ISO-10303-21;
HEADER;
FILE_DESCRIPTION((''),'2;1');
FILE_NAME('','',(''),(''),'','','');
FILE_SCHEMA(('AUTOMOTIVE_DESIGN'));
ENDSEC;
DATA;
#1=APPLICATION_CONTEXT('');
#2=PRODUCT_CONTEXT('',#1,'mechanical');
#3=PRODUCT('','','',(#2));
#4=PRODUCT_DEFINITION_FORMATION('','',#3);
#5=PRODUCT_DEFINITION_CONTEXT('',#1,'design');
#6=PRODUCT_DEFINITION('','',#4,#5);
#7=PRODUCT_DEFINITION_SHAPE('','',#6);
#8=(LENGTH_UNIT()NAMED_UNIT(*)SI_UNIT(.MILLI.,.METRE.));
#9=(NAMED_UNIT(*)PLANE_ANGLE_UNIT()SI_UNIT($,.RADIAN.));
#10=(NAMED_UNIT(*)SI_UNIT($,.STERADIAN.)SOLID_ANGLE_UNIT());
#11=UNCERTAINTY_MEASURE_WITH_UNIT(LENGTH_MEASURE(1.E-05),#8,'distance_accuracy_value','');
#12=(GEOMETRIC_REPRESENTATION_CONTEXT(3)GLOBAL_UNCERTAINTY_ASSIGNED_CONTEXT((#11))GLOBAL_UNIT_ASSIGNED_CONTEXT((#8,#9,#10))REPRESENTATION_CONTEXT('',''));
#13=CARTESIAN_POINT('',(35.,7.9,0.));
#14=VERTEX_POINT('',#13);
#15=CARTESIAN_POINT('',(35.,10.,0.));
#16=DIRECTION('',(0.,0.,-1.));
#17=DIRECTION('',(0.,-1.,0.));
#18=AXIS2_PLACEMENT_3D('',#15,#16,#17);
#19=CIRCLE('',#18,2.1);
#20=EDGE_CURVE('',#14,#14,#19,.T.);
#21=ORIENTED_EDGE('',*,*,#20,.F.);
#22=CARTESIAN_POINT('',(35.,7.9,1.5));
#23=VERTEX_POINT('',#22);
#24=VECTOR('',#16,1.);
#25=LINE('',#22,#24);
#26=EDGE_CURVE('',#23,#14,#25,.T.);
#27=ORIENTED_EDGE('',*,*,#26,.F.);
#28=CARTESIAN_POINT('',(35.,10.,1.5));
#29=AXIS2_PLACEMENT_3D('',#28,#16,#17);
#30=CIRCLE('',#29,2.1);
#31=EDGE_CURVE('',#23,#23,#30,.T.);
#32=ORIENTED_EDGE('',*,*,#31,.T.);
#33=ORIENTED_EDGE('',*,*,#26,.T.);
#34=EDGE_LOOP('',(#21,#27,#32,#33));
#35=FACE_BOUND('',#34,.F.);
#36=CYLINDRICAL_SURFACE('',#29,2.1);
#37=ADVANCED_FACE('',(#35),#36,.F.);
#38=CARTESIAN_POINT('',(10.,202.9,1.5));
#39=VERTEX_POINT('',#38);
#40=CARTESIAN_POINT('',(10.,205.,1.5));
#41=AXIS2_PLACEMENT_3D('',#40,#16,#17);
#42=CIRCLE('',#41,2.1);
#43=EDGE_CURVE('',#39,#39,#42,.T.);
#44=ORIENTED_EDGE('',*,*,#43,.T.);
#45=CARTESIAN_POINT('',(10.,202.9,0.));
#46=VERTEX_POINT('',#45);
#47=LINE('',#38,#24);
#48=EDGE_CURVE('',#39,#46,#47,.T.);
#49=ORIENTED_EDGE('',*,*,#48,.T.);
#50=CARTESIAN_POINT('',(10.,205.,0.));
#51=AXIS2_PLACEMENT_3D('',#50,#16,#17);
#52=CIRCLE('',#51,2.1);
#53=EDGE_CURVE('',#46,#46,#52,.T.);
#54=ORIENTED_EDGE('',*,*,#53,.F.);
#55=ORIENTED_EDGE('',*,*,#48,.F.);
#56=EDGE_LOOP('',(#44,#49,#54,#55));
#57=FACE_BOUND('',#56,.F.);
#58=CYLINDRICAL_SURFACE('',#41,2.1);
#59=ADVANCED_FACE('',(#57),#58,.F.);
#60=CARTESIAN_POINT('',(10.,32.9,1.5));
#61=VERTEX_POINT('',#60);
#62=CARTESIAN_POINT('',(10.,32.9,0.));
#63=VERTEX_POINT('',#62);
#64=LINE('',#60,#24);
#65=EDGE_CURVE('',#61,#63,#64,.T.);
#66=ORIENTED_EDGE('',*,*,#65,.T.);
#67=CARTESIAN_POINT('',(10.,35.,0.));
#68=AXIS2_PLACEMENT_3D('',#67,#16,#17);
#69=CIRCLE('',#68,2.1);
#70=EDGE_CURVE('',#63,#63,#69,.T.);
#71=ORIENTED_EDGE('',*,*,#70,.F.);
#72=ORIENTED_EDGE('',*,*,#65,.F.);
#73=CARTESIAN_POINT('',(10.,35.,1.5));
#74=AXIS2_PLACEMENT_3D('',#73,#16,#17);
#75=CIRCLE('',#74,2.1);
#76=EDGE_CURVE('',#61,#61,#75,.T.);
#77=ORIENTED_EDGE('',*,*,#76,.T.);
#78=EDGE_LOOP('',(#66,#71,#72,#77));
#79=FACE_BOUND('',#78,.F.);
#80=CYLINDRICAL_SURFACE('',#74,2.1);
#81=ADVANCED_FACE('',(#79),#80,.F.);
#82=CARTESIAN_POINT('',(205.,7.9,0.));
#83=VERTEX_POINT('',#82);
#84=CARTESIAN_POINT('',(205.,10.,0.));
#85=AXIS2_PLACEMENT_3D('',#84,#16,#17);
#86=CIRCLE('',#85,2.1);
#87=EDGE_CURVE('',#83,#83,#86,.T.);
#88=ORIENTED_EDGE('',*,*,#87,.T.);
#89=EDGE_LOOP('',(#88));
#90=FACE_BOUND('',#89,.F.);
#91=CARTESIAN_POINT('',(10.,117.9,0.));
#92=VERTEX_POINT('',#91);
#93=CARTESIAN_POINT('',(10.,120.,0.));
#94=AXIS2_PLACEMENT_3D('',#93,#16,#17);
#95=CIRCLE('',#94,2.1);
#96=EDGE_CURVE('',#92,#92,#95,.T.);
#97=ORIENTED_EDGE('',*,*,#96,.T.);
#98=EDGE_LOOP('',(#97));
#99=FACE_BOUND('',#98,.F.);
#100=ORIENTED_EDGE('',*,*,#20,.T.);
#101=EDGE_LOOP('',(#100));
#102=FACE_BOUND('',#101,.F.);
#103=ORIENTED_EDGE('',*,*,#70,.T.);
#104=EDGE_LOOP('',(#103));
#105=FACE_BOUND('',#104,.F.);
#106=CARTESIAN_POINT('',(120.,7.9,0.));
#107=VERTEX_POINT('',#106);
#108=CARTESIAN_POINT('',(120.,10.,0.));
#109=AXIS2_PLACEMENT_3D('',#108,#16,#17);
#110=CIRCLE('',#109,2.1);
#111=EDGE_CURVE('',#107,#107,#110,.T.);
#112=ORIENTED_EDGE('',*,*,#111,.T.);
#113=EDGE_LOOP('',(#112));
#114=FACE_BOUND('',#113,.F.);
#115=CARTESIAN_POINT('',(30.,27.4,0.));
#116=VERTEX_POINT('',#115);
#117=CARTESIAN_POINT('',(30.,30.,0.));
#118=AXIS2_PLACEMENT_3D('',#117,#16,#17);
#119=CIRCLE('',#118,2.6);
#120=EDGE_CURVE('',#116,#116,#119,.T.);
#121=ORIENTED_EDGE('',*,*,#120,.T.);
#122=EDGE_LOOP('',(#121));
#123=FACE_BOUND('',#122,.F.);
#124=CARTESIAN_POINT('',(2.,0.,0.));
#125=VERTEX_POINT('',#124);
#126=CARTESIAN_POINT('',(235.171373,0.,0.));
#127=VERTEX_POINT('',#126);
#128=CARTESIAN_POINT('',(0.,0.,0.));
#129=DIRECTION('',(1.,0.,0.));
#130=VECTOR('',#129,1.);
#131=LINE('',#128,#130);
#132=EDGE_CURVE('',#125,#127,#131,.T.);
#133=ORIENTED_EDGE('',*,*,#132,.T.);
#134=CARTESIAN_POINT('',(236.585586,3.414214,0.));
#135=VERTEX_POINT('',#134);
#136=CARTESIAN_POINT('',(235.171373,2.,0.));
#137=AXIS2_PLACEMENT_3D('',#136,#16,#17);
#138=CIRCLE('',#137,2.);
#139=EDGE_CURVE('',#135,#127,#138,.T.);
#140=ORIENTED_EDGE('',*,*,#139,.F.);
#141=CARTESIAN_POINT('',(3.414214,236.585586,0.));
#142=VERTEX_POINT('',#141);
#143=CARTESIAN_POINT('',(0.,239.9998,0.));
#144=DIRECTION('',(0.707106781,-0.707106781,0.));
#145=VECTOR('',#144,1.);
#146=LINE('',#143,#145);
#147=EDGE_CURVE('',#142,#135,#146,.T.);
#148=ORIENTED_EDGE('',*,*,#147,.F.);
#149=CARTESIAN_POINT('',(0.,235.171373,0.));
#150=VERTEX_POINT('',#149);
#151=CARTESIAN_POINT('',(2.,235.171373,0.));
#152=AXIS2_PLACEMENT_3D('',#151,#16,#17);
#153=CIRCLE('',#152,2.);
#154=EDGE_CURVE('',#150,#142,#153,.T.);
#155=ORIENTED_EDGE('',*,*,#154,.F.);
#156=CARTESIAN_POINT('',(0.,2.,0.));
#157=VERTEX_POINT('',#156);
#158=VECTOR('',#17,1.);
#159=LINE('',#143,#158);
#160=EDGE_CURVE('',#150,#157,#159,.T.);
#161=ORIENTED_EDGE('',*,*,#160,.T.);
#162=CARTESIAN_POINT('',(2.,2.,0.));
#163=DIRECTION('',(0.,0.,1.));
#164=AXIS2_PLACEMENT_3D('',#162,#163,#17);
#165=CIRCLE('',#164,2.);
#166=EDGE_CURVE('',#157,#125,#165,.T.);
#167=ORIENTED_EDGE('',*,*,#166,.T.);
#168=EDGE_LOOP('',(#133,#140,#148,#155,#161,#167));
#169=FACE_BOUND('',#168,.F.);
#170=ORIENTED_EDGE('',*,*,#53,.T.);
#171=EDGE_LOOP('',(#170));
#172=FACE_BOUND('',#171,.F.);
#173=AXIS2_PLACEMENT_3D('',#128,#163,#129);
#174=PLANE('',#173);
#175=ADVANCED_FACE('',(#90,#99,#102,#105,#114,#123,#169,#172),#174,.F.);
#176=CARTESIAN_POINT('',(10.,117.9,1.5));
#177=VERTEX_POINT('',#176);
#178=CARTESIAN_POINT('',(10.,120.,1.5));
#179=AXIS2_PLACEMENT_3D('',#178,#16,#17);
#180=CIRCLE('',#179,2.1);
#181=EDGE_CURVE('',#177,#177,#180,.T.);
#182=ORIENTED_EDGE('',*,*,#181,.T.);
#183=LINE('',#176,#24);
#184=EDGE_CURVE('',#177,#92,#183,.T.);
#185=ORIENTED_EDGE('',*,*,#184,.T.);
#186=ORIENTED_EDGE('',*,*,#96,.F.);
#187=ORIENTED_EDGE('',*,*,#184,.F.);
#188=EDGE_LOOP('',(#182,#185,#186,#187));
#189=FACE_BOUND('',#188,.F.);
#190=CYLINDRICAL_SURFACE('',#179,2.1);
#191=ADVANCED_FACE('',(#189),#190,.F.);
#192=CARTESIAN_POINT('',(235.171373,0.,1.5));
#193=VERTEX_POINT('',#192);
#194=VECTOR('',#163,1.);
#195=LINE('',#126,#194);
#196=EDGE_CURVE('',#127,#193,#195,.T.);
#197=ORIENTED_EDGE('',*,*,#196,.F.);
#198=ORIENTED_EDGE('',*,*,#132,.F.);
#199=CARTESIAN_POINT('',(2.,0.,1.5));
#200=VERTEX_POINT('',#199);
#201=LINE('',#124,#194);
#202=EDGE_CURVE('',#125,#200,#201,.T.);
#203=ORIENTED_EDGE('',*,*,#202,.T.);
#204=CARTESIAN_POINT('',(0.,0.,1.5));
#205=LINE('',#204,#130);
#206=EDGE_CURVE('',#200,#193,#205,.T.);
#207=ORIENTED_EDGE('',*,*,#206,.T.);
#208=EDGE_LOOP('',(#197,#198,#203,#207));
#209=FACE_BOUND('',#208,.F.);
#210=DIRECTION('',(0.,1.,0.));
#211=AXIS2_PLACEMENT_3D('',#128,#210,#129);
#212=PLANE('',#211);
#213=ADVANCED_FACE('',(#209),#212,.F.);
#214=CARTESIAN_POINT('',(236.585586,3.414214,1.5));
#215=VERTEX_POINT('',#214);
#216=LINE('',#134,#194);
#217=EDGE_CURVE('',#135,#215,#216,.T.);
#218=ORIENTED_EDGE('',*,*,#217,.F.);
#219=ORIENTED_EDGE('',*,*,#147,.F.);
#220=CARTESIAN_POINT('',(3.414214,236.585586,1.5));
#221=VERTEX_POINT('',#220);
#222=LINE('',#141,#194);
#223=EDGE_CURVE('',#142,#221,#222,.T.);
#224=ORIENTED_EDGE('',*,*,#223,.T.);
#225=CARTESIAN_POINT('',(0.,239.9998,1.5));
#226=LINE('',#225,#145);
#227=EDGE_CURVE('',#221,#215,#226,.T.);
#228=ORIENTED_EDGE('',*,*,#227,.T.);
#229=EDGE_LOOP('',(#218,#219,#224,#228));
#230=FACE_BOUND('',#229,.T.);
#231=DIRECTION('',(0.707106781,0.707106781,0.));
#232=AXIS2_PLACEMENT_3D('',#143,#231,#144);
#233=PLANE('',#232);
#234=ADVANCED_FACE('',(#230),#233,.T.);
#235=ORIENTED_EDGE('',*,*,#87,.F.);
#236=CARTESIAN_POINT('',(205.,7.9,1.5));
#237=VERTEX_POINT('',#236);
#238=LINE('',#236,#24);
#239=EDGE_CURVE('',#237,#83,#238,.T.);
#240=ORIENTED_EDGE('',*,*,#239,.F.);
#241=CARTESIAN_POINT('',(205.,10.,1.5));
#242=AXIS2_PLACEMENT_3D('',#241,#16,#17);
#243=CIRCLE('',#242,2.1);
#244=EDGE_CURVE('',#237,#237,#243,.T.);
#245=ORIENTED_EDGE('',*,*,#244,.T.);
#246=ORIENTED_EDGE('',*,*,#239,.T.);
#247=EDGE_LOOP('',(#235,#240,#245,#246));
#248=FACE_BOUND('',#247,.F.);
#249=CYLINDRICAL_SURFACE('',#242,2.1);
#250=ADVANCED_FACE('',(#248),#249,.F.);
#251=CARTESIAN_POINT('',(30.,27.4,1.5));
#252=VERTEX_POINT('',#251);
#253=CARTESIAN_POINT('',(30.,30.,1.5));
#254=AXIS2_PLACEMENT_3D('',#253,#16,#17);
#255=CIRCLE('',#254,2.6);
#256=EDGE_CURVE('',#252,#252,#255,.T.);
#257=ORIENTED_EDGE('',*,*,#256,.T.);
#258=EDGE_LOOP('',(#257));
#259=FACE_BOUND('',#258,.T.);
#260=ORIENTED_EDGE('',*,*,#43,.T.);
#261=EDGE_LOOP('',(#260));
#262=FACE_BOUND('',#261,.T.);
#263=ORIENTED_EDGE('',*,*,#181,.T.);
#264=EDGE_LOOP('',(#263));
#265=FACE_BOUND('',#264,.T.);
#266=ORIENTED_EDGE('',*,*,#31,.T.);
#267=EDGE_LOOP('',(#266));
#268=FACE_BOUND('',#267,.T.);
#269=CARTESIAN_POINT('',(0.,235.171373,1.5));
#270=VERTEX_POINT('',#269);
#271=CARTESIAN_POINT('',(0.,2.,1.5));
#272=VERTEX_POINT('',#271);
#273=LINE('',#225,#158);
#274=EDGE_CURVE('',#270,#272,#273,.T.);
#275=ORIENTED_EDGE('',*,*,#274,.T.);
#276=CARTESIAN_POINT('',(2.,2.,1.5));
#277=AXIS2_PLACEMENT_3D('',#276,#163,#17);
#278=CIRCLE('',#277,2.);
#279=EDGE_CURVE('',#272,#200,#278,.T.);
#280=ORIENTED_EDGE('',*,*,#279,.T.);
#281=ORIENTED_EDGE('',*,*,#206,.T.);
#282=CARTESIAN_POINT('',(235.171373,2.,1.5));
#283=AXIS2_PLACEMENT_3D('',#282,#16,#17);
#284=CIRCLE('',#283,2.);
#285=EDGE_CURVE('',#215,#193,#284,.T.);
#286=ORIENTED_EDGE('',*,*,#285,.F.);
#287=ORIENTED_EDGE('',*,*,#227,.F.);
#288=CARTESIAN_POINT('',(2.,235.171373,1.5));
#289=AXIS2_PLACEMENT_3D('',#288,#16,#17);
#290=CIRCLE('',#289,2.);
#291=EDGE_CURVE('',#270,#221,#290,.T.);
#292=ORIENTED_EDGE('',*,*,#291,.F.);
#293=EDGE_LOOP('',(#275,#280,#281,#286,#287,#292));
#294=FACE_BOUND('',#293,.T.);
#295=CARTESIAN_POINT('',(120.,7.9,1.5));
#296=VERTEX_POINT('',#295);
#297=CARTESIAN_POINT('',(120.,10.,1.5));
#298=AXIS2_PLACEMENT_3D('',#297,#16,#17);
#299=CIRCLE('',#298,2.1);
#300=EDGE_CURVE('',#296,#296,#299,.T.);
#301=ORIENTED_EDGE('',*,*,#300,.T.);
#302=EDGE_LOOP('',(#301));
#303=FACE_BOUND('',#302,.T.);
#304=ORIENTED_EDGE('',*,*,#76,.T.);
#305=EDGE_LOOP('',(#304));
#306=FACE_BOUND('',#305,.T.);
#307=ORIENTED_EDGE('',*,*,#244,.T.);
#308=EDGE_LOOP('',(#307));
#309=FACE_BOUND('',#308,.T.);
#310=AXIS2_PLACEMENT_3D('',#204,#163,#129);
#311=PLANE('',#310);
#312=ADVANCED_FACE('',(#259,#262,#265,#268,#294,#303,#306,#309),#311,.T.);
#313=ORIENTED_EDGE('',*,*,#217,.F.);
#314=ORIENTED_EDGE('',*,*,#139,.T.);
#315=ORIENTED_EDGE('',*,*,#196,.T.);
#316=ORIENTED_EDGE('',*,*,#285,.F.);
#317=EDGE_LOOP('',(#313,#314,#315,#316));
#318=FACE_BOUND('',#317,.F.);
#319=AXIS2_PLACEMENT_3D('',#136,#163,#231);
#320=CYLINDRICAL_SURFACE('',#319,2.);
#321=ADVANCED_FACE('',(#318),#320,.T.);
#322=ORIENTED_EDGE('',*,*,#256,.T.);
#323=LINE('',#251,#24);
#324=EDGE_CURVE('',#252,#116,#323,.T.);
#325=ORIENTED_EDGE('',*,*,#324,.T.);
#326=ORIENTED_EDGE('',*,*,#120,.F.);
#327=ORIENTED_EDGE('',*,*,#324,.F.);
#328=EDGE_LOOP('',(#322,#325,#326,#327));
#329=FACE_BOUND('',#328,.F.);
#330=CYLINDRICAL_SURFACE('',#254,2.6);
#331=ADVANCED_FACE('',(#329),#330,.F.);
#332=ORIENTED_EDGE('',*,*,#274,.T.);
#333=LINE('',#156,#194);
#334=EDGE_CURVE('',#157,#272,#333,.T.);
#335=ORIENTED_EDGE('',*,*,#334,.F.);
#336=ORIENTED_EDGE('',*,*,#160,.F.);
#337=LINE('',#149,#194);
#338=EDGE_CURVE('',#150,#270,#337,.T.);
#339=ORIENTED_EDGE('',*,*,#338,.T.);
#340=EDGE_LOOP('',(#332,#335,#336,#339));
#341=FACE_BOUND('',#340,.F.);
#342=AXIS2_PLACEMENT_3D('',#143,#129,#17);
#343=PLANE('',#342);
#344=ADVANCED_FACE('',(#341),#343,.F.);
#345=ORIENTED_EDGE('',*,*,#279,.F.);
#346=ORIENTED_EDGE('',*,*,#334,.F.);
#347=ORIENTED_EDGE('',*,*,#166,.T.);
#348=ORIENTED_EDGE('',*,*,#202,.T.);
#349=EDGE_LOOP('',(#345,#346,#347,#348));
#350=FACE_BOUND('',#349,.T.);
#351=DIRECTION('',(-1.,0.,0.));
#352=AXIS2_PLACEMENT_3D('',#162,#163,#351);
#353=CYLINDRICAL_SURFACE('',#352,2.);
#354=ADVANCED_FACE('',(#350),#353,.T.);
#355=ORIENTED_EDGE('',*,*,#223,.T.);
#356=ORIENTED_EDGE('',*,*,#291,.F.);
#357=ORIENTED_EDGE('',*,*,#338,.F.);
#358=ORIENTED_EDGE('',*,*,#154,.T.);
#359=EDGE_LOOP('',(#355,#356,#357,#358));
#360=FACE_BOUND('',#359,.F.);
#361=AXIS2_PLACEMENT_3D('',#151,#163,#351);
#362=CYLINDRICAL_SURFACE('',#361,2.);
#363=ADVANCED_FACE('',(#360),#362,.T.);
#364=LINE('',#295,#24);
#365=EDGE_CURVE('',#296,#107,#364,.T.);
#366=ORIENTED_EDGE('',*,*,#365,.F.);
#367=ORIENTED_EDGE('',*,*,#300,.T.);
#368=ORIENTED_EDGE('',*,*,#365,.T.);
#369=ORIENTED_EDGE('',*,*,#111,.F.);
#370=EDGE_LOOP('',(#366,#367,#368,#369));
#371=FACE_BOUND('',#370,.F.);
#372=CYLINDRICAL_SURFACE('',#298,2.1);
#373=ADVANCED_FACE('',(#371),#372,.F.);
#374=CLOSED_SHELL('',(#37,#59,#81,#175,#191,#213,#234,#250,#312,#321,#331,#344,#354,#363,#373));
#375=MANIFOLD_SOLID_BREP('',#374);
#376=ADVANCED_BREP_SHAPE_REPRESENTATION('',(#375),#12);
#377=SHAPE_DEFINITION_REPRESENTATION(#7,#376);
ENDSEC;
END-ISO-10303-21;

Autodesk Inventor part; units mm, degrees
ref_plane "YZ Plane" through (0, 0, 0) normal (1, 0, 0) x (0, 1, 0)
ref_plane "XZ Plane" through (0, 0, 0) normal (0, 1, 0) x (-1, 0, 0)
ref_plane "XY Plane" through (0, 0, 0) normal (0, 0, 1) x (1, 0, 0)
sketch "スケッチ1" plane through (0, 0, 0) normal (0, 0, 1) x (1, 0, 0)
  line L0 (0, 0) -> (239.9998, 0)
  line L1 (239.9998, 0) -> (239.9998, 239.9998)
  line L2 (239.9998, 239.9998) -> (0, 239.9998)
  line L3 (0, 239.9998) -> (0, 0)
  line L4 (0, 239.9998) -> (239.9998, 0)
  line L5 (-178.706, 178.706) -> (151.9787, -151.9787)
  dimension "d16" = 45
  dimension "d17" = 169.7055
extrude "プレート1" add sketch "スケッチ1" along normal blind 1.5 contours L3 L4 L0
sketch "スケッチ2" plane through (0, 0, 1.5) normal (0, 0, 1) x (1, 0, 0)
  line L0 (90, 33.5) -> (110, 33.5)
  line L1 (110, 33.5) -> (110, 86.5)
  line L2 (110, 86.5) -> (90, 86.5)
  line L3 (90, 86.5) -> (90, 33.5)
  line L4 (90, 33.5) -> (110, 86.5) construction
  line L5 (110, 33.5) -> (90, 86.5) construction
  line L6 (239.9998, 0) -> (0, 0) projected
  line L7 (0, 0) -> (0, 239.9998) projected
  line L8 (134, 30) -> (66, 30)
  line L9 (66, 30) -> (66, 90)
  line L10 (66, 90) -> (134, 90)
  line L11 (134, 90) -> (134, 30)
  line L12 (134, 30) -> (66, 90) construction
  line L13 (66, 30) -> (134, 90) construction
  point P0 (100, 60)
  dimension "d3" = 20
  dimension "d4" = 53
  dimension "d5" = 60
  dimension "d6" = 100
  dimension "d14" = 60
  dimension "d15" = 68
hole "穴1" at (90, 33.5, 1.5) at (110, 33.5, 1.5) at (90, 86.5, 1.5) at (110, 86.5, 1.5) at (66, 30, 1.5) at (134, 30, 1.5) at (66, 90, 1.5) direction (0, 0, -1) diameter 5.2 depth 1.5 tip angle 118
fillet "フィレット1" radius 2 3 edges at (0, 239.9998, 0.75) (0, 0, 0.75) (239.9998, 0, 0.75)
sketch "スケッチ3" plane through (0, 0, 1.5) normal (0, 0, 1) x (1, 0, 0)
  circle A0 centre (66, 90) radius 2.6 projected
  line L0 (0, 2) -> (0, 235.1714) projected
  point P0 (0, 0)
  point P1 (90, 117)
  point P2 (80, 117)
  dimension "d19" = 10
  dimension "d20" = 27
  dimension "d21" = 80
hole "穴2" at (90, 117, 1.5) at (80, 117, 1.5) direction (0, 0, -1) diameter 3.242 depth 11.8 tip angle 118 thread size "M4x0.7" class "6H" standard "ISO Metric profile"
sketch "スケッチ4" plane through (0, 0, 1.5) normal (0, 0, 1) x (1, 0, 0)
  circle A0 centre (90, 117) radius 1.621 projected
  circle A1 centre (80, 117) radius 1.621 projected
  arc A2 (235.1714, 0) -> (236.5856, 3.4142) centre (235.1714, 2) ccw projected
  line L0 (3.4142, 236.5856) -> (236.5856, 3.4142) projected
  arc A3 (3.4142, 236.5856) -> (0, 235.1714) centre (2, 235.1714) ccw projected
  line L1 (0, 2) -> (0, 235.1714) projected
  arc A4 (0, 2) -> (2, 0) centre (2, 2) ccw projected
  line L2 (235.1714, 0) -> (2, 0) projected
  circle A5 centre (134, 30) radius 2.6 projected
  circle A6 centre (110, 86.5) radius 2.6 projected
  circle A7 centre (110, 33.5) radius 2.6 projected
  circle A8 centre (90, 33.5) radius 2.6 projected
  circle A9 centre (90, 86.5) radius 2.6 projected
  circle A10 centre (66, 30) radius 2.6 projected
  circle A11 centre (66, 90) radius 2.6 projected
  line L3 (10, 10) -> (10, 215.8577)
  line L4 (10, 215.8577) -> (215.8577, 10)
  line L5 (215.8577, 10) -> (10, 10)
  point P0 (0, 0)
  point P1 (205, 10)
  point P2 (35, 10)
  point P3 (10, 35)
  point P4 (10, 205)
  point P5 (120, 10)
  point P6 (10, 120)
  dimension "d29" = 10
  dimension "d30" = 25
  dimension "d31" = 25
  dimension "d32" = 170
  dimension "d33" = 170
  dimension "d34" = 85
  dimension "d35" = 85
hole "穴3" at (205, 10, 1.5) at (35, 10, 1.5) at (10, 35, 1.5) at (10, 205, 1.5) at (120, 10, 1.5) at (10, 120, 1.5) direction (0, 0, -1) diameter 4.2 depth 1.5 tip angle 118
sketch "スケッチ6" plane through (0, 0, 1.5) normal (0, 0, 1) x (1, 0, 0)
  circle A0 centre (120, 10) radius 2.1 projected
  circle A1 centre (10, 35) radius 2.1 projected
  circle A2 centre (205, 10) radius 2.1 projected
  circle A3 centre (35, 10) radius 2.1 projected
  circle A4 centre (10, 205) radius 2.1 projected
  circle A5 centre (10, 120) radius 2.1 projected
  circle A6 centre (90, 117) radius 1.621 projected
  circle A7 centre (80, 117) radius 1.621 projected
  arc A8 (235.1714, 0) -> (236.5856, 3.4142) centre (235.1714, 2) ccw projected
  line L0 (3.4142, 236.5856) -> (236.5856, 3.4142) projected
  arc A9 (3.4142, 236.5856) -> (0, 235.1714) centre (2, 235.1714) ccw projected
  line L1 (0, 2) -> (0, 235.1714) projected
  arc A10 (0, 2) -> (2, 0) centre (2, 2) ccw projected
  line L2 (235.1714, 0) -> (2, 0) projected
  circle A11 centre (134, 30) radius 2.6 projected
  circle A12 centre (110, 86.5) radius 2.6 projected
  circle A13 centre (110, 33.5) radius 2.6 projected
  circle A14 centre (90, 33.5) radius 2.6 projected
  circle A15 centre (90, 86.5) radius 2.6 projected
  circle A16 centre (66, 30) radius 2.6 projected
  circle A17 centre (66, 90) radius 2.6 projected
  line L3 (20, 20) -> (20, 191.7155)
  line L4 (20, 191.7155) -> (191.7155, 20)
  line L5 (191.7155, 20) -> (20, 20)
  point P0 (0, 0)
  point P1 (30, 30)
  dimension "d46" = 20
  dimension "d47" = 10
  dimension "d48" = 10
hole "穴4" at (30, 30, 1.5) direction (0, 0, -1) diameter 5.2 depth 1.5 tip angle 118
sketch "スケッチ7" plane through (0, 0, 1.5) normal (0, 0, 1) x (1, 0, 0)
  circle A0 centre (30, 30) radius 2.6 projected
  circle A1 centre (120, 10) radius 2.1 projected
  circle A2 centre (10, 35) radius 2.1 projected
  circle A3 centre (205, 10) radius 2.1 projected
  circle A4 centre (35, 10) radius 2.1 projected
  circle A5 centre (10, 205) radius 2.1 projected
  circle A6 centre (10, 120) radius 2.1 projected
  circle A7 centre (90, 117) radius 1.621 projected
  circle A8 centre (80, 117) radius 1.621 projected
  arc A9 (235.1714, 0) -> (236.5856, 3.4142) centre (235.1714, 2) ccw projected
  line L0 (3.4142, 236.5856) -> (236.5856, 3.4142) projected
  arc A10 (3.4142, 236.5856) -> (0, 235.1714) centre (2, 235.1714) ccw projected
  line L1 (0, 2) -> (0, 235.1714) projected
  arc A11 (0, 2) -> (2, 0) centre (2, 2) ccw projected
  line L2 (235.1714, 0) -> (2, 0) projected
  circle A12 centre (134, 30) radius 2.6 projected
  circle A13 centre (110, 86.5) radius 2.6 projected
  circle A14 centre (110, 33.5) radius 2.6 projected
  circle A15 centre (90, 33.5) radius 2.6 projected
  circle A16 centre (90, 86.5) radius 2.6 projected
  circle A17 centre (66, 30) radius 2.6 projected
  circle A18 centre (66, 90) radius 2.6 projected
  point P0 (0, 0)
extrude "押し出し2" add sketch "スケッチ7" against normal up to surface (1.5 mm away) contours A7 | A8 | A12 | A13 | A14 | A15 | A16 | A17 | A18
equation "\"d12\" = Thickness"
equation "\"d41\" = Thickness"
equation "\"d54\" = Thickness"
equation "\"d2\" = Thickness"
equation "\"BendRadius\" = Thickness"
equation "\"BendReliefWidth\" = Thickness"
equation "\"BendReliefDepth\" = 0.5 * Thickness"
equation "\"CornerReliefSize\" = 4 * Thickness"
equation "\"MinimumRemnant\" = 2 * Thickness"
equation "\"TransitionRadius\" = BendRadius"
equation "\"JacobiRadiusSize\" = BendRadius"
equation "\"GapSize\" = Thickness"
equation "\"Thickness\" = 1.5"
properties part number "Display_CCM_Mount_Top"
